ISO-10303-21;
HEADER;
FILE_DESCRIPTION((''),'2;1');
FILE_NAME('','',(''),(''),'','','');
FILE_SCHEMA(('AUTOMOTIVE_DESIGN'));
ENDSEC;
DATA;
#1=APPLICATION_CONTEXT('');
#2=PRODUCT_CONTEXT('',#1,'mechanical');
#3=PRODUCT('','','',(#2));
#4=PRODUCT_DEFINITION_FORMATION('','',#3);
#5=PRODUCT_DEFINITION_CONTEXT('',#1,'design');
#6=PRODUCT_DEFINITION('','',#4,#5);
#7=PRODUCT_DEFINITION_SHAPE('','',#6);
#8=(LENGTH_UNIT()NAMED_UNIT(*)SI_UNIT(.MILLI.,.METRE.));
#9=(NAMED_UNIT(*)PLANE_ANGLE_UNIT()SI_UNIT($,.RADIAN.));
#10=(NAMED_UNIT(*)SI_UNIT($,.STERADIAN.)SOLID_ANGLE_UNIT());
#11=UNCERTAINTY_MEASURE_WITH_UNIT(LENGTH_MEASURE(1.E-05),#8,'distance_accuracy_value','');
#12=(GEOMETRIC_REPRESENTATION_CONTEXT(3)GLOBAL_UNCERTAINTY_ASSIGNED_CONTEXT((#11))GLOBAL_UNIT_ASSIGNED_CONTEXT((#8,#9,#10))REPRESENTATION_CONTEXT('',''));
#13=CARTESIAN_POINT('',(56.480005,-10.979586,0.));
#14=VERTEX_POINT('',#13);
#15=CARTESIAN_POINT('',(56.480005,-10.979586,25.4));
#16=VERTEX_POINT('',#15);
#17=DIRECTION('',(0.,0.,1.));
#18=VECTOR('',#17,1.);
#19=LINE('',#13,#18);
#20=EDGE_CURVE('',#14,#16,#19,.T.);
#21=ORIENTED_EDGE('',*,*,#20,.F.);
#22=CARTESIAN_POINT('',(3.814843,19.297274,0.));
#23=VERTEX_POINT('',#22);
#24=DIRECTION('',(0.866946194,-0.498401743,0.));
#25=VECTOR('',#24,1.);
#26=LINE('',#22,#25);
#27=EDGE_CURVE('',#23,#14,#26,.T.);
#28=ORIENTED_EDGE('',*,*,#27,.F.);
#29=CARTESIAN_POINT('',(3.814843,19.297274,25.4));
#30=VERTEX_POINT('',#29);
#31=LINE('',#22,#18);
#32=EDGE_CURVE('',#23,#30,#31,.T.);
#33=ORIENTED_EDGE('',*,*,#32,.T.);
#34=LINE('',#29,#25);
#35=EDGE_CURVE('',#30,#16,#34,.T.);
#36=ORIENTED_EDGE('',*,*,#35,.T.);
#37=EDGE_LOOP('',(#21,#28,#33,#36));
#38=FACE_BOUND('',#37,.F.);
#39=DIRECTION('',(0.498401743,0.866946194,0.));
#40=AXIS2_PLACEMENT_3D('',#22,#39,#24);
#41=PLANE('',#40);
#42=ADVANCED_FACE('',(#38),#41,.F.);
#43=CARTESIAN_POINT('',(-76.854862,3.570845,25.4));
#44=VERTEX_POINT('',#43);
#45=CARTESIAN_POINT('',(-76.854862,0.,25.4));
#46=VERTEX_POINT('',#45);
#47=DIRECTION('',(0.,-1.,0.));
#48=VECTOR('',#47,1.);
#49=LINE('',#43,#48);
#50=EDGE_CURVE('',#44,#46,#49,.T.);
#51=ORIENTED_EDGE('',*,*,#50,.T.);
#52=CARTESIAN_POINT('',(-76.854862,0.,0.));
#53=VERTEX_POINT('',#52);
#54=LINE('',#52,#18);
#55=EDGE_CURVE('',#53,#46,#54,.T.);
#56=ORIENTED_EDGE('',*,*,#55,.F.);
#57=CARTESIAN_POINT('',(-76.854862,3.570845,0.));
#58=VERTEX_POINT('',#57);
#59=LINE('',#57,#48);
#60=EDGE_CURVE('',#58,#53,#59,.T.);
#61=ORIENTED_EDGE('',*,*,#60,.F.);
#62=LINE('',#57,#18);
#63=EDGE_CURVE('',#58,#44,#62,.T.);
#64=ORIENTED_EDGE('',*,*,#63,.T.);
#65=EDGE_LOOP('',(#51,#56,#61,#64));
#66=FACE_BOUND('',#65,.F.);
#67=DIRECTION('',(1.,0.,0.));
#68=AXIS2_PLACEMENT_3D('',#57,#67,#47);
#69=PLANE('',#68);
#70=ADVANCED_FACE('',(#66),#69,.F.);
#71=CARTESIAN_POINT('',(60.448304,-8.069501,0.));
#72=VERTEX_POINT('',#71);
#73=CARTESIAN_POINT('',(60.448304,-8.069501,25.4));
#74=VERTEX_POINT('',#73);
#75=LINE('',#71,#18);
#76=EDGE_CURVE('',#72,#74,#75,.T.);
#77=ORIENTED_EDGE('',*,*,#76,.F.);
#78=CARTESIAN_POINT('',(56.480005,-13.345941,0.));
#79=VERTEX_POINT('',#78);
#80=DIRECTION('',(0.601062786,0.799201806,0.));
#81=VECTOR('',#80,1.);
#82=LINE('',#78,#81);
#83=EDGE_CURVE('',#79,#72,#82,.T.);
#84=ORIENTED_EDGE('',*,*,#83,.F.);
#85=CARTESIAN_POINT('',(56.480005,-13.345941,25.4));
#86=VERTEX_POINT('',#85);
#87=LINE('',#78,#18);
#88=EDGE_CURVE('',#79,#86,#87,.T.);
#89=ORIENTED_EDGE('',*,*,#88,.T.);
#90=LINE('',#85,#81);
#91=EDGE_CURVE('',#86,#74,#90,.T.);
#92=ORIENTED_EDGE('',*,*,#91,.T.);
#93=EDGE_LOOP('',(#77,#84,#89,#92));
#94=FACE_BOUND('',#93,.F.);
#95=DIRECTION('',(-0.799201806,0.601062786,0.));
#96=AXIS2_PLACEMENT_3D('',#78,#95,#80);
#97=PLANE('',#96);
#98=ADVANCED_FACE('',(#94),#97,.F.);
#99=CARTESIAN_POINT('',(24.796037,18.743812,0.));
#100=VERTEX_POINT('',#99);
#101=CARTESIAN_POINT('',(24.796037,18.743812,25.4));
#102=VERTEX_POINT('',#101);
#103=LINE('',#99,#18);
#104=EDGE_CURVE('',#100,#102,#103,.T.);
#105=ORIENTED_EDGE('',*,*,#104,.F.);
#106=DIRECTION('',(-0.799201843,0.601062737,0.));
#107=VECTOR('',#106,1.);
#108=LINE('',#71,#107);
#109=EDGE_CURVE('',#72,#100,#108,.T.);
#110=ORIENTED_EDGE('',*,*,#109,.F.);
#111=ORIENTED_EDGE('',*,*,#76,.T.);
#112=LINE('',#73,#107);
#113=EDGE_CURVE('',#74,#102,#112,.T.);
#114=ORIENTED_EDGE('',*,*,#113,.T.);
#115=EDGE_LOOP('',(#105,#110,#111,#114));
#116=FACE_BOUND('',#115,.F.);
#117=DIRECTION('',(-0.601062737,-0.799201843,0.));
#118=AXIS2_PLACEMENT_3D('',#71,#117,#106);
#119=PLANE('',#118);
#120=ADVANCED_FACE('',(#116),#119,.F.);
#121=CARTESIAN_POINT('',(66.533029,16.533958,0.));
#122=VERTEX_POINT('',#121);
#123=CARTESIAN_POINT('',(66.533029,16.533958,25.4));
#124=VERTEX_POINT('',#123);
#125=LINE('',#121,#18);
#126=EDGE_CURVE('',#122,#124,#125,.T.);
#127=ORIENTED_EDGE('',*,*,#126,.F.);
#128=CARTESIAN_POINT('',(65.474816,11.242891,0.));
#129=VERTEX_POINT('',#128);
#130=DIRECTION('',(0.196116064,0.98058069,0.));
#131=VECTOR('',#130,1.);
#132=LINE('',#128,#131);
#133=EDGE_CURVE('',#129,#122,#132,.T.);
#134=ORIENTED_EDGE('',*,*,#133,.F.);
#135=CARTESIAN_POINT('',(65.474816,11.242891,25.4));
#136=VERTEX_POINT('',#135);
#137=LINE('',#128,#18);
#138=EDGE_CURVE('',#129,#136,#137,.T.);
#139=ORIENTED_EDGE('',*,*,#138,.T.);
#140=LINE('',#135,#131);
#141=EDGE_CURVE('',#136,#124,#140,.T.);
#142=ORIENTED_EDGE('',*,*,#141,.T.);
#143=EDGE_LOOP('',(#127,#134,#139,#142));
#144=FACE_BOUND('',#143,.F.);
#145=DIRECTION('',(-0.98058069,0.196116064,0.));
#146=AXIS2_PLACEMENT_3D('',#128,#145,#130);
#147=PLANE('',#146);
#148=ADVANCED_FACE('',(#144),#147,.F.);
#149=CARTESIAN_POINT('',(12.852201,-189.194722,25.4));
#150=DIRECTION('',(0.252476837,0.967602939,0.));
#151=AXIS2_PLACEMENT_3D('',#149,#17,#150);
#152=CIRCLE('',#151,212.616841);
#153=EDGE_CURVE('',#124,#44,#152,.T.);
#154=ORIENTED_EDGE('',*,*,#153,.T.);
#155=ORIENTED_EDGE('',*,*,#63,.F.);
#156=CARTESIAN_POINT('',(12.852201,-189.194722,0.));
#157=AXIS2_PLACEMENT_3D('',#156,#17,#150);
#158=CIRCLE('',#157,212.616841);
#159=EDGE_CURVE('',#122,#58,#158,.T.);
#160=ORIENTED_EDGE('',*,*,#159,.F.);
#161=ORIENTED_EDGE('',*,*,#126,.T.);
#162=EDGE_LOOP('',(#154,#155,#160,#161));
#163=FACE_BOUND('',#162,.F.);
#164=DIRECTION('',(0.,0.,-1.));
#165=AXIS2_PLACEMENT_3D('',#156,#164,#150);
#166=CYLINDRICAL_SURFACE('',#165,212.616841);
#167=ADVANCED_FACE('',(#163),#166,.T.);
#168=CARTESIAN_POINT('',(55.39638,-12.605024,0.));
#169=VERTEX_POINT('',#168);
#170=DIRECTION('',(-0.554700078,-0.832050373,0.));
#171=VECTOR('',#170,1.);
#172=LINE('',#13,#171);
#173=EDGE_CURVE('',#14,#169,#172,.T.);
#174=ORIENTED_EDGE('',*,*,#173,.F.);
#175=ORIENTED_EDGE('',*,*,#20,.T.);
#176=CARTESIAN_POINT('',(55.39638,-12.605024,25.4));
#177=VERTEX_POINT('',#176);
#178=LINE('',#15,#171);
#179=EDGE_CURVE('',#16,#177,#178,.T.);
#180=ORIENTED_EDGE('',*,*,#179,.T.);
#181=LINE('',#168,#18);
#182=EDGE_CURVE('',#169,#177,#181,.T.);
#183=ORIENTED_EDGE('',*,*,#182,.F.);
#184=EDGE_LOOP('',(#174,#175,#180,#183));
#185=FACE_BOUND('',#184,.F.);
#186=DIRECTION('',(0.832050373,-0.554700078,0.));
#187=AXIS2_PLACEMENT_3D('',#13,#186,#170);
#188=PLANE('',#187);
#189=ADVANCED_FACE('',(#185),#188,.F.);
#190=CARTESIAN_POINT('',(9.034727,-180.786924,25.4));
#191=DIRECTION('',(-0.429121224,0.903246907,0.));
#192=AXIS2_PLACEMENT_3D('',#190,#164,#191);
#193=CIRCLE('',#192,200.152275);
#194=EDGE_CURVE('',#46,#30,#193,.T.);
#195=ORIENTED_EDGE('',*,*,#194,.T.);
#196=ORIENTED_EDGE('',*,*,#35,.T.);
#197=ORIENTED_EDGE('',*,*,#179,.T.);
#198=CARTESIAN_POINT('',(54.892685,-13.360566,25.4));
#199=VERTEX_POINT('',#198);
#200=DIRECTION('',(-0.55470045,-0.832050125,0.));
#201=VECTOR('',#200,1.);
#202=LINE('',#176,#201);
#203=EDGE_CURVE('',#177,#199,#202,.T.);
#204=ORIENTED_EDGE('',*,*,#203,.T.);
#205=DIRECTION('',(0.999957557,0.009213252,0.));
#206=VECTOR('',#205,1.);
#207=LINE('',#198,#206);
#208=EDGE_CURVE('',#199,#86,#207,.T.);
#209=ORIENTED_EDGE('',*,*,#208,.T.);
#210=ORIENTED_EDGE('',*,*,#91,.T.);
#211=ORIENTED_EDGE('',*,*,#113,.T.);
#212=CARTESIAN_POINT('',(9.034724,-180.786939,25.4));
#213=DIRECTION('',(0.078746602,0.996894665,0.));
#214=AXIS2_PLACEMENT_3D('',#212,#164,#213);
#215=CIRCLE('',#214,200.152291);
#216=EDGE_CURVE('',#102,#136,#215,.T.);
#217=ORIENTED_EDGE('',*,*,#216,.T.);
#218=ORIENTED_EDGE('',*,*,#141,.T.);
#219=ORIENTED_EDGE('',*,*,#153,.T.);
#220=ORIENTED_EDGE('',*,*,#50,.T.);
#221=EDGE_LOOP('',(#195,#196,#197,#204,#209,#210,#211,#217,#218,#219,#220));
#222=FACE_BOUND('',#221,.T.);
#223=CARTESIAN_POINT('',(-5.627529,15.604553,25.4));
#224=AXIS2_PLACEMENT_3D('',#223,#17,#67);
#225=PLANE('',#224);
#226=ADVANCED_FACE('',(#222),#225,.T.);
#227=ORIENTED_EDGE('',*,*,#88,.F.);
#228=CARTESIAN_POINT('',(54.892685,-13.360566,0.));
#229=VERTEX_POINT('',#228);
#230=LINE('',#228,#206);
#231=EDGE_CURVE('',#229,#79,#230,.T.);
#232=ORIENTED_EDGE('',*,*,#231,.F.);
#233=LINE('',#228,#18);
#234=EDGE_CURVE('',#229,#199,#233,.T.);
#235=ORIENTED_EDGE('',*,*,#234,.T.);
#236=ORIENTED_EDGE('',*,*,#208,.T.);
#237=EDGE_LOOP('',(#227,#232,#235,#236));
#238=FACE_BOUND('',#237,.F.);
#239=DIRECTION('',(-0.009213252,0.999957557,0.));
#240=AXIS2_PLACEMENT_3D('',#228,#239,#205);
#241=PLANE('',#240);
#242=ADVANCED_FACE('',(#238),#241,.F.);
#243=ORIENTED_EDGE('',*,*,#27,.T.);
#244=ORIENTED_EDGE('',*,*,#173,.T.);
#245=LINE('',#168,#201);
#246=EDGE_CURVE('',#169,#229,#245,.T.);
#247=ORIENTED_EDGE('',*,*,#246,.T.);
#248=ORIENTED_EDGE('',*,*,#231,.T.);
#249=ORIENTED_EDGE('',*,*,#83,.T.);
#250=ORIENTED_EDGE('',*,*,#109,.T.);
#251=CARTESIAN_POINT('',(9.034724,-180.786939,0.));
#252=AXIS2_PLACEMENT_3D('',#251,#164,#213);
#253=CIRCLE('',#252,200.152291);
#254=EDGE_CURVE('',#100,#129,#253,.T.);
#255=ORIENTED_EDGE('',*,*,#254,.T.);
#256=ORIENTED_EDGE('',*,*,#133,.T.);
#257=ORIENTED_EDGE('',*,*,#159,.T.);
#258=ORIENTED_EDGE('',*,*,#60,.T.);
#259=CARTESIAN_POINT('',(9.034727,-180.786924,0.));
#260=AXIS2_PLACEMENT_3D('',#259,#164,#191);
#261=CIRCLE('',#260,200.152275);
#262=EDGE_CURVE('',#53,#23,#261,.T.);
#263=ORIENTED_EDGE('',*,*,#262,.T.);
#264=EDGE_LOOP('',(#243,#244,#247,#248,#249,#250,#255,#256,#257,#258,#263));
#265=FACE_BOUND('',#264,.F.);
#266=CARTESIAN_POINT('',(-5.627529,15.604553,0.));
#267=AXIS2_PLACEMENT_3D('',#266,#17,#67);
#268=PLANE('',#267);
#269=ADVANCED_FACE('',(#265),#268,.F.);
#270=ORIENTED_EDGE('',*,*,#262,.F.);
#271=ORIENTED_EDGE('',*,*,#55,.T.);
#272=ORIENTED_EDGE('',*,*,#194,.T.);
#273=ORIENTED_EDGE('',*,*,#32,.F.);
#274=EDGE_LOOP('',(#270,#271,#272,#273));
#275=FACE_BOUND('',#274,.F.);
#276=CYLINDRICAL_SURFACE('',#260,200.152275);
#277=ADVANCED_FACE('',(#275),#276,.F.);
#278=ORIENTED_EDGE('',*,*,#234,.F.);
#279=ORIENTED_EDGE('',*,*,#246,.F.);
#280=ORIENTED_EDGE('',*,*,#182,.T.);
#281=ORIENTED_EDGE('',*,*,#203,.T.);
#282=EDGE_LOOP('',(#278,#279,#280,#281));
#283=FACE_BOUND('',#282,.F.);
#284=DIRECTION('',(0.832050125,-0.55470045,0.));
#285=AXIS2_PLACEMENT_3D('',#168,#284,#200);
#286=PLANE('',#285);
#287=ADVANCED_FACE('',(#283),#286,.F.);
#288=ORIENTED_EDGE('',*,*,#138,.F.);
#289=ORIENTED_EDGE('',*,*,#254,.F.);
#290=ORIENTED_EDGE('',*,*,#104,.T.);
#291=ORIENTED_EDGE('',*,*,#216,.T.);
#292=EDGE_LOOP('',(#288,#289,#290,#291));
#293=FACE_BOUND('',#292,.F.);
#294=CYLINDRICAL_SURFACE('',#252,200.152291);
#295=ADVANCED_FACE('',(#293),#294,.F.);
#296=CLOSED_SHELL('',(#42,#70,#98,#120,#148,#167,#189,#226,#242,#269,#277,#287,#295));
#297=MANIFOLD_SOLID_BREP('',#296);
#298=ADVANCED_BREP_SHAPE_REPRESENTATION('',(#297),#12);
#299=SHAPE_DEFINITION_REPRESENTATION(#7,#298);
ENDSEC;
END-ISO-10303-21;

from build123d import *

# Parameters (mm, degrees)
F1_DEPTH = 25.4


with BuildPart() as f1:
    # F0 (on Top) → F1 (new body)
    with BuildSketch(Plane.XY):
        with BuildLine():
            Line((65.474816, 11.242891), (66.533029, 16.533958))
            ThreePointArc((66.533029, 16.533958), (-6.291544, 22.558526), (-76.854862, 3.570845))
            Line((-76.854862, 3.570845), (-76.854862, 0))
            ThreePointArc((-76.854862, 0), (-37.530606, 13.873301), (3.814843, 19.297274))
            ThreePointArc((3.814843, 19.297274), (14.3127, 19.29575), (24.796037, 18.743812))
            ThreePointArc((24.796037, 18.743812), (45.329719, 16.047034), (65.474816, 11.242891))
        make_face()
        with BuildLine():
            Line((60.448304, -8.069501), (24.796037, 18.743812))
            ThreePointArc((24.796037, 18.743812), (14.3127, 19.29575), (3.814843, 19.297274))
            Line((3.814843, 19.297274), (56.480005, -10.979586))
            Line((56.480005, -10.979586), (55.39638, -12.605024))
            Line((55.39638, -12.605024), (54.892685, -13.360566))
            Line((54.892685, -13.360566), (56.480005, -13.345941))
            Line((56.480005, -13.345941), (60.448304, -8.069501))
        make_face()
    extrude(amount=F1_DEPTH)


solid = f1.part
